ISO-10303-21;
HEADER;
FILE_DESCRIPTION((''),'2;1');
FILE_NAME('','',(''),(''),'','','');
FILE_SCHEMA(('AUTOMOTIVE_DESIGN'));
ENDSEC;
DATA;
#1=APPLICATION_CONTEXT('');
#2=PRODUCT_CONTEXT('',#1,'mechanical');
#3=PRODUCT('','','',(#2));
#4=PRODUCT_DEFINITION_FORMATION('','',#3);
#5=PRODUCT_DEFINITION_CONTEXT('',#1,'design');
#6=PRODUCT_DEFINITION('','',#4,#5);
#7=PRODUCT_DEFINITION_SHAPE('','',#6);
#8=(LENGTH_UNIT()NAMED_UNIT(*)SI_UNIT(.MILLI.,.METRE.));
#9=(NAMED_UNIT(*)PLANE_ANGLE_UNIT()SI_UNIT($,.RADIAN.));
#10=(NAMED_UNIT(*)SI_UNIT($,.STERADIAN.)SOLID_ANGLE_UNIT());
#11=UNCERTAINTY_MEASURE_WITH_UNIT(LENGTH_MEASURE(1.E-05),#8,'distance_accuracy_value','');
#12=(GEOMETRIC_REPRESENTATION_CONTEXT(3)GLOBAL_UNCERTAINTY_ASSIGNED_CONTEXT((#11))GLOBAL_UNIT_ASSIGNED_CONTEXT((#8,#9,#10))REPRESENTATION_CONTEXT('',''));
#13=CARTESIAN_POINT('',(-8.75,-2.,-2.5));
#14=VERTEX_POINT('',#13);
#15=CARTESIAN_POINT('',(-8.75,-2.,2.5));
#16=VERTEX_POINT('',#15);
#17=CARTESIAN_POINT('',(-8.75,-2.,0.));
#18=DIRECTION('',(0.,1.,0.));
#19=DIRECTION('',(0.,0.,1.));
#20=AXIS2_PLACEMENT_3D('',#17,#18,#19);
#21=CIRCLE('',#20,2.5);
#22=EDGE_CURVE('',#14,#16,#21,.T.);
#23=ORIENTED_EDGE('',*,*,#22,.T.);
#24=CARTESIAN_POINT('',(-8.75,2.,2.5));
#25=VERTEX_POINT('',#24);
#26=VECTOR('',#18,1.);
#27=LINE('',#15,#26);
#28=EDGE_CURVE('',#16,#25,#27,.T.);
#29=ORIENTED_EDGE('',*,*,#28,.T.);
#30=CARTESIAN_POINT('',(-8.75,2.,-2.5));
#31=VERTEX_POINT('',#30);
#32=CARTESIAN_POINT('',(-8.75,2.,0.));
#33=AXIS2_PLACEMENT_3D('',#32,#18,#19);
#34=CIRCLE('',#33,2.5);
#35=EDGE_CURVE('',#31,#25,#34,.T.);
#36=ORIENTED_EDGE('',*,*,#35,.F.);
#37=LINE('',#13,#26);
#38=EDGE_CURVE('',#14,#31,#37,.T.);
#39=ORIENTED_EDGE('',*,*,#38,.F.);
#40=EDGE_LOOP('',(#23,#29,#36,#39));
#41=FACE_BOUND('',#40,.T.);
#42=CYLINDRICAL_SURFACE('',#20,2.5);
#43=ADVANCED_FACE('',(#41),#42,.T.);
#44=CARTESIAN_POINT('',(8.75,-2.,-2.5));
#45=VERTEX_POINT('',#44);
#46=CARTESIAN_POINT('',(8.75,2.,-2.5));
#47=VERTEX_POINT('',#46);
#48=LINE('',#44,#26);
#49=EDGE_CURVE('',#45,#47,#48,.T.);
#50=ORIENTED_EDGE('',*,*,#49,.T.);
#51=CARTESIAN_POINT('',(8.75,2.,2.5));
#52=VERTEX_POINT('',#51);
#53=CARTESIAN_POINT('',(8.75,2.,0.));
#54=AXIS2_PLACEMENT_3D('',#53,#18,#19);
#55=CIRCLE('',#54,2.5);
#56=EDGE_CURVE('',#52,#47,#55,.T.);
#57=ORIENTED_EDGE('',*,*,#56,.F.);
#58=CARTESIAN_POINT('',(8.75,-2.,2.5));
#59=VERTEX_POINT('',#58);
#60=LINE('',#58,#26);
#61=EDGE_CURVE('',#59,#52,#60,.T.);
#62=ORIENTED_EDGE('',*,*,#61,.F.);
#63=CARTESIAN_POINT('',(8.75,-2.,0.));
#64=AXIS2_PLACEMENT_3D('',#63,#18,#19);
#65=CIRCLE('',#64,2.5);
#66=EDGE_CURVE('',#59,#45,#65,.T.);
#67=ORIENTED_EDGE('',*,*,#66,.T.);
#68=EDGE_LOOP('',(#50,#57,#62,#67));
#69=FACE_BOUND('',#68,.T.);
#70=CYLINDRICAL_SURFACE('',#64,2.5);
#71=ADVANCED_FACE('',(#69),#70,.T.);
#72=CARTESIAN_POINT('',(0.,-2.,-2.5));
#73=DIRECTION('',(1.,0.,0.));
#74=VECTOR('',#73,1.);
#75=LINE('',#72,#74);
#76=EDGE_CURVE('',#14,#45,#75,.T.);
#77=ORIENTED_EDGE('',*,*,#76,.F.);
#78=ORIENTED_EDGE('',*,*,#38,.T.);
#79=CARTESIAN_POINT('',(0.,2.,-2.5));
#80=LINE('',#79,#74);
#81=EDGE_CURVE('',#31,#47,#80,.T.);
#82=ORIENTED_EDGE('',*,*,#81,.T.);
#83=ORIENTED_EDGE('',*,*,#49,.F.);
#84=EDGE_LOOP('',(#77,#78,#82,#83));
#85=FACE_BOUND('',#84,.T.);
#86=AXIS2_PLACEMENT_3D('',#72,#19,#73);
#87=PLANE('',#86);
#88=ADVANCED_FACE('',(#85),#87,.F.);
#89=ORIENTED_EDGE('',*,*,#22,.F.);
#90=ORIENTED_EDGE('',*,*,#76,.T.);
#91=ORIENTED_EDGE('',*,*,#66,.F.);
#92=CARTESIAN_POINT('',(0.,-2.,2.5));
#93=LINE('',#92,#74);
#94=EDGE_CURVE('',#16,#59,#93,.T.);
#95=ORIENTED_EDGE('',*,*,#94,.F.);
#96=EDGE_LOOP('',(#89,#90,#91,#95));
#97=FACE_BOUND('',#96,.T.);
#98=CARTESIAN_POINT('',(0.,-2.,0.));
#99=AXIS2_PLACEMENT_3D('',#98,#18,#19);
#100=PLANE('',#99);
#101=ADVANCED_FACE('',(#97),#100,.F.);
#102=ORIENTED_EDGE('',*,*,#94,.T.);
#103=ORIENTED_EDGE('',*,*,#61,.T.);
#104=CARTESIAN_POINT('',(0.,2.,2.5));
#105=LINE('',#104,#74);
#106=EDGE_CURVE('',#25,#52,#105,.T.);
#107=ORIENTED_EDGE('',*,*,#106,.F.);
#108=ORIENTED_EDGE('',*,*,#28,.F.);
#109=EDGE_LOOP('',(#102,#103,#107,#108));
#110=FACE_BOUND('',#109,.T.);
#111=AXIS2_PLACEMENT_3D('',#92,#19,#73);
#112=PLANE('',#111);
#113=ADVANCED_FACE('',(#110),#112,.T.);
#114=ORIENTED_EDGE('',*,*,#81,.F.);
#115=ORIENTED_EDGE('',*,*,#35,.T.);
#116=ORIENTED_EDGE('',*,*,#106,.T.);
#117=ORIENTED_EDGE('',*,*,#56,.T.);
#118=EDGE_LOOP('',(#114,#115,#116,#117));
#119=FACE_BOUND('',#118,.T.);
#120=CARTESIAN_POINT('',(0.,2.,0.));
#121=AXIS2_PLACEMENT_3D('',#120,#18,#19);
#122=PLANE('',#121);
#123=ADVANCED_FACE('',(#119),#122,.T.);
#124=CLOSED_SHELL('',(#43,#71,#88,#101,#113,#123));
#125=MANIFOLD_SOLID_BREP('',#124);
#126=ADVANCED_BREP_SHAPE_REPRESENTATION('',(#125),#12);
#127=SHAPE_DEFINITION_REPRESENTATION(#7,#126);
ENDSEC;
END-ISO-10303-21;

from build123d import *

# Parameters (mm, degrees)
BOSS_EXTRUDE1_DEPTH      = 2
BOSS_EXTRUDE1_DEPTH_BACK = 2


with BuildPart() as part:
    # Sketch1 → Boss-Extrude1 (new, two sides: drawn at the far end of the back side and taken through both)
    with BuildSketch(Plane(origin=(0, 0, 0), x_dir=(1, 0, 0), z_dir=(0, 1, 0)).offset(-BOSS_EXTRUDE1_DEPTH_BACK)):
        with BuildLine():
            Line((8.75, 2.5), (-8.75, 2.5))
            ThreePointArc((-8.75, 2.5), (-11.25, 0), (-8.75, -2.5))
            Line((-8.75, -2.5), (8.75, -2.5))
            ThreePointArc((8.75, -2.5), (11.25, 0), (8.75, 2.5))
        make_face()
    extrude(amount=BOSS_EXTRUDE1_DEPTH + BOSS_EXTRUDE1_DEPTH_BACK)


solid = part.part
